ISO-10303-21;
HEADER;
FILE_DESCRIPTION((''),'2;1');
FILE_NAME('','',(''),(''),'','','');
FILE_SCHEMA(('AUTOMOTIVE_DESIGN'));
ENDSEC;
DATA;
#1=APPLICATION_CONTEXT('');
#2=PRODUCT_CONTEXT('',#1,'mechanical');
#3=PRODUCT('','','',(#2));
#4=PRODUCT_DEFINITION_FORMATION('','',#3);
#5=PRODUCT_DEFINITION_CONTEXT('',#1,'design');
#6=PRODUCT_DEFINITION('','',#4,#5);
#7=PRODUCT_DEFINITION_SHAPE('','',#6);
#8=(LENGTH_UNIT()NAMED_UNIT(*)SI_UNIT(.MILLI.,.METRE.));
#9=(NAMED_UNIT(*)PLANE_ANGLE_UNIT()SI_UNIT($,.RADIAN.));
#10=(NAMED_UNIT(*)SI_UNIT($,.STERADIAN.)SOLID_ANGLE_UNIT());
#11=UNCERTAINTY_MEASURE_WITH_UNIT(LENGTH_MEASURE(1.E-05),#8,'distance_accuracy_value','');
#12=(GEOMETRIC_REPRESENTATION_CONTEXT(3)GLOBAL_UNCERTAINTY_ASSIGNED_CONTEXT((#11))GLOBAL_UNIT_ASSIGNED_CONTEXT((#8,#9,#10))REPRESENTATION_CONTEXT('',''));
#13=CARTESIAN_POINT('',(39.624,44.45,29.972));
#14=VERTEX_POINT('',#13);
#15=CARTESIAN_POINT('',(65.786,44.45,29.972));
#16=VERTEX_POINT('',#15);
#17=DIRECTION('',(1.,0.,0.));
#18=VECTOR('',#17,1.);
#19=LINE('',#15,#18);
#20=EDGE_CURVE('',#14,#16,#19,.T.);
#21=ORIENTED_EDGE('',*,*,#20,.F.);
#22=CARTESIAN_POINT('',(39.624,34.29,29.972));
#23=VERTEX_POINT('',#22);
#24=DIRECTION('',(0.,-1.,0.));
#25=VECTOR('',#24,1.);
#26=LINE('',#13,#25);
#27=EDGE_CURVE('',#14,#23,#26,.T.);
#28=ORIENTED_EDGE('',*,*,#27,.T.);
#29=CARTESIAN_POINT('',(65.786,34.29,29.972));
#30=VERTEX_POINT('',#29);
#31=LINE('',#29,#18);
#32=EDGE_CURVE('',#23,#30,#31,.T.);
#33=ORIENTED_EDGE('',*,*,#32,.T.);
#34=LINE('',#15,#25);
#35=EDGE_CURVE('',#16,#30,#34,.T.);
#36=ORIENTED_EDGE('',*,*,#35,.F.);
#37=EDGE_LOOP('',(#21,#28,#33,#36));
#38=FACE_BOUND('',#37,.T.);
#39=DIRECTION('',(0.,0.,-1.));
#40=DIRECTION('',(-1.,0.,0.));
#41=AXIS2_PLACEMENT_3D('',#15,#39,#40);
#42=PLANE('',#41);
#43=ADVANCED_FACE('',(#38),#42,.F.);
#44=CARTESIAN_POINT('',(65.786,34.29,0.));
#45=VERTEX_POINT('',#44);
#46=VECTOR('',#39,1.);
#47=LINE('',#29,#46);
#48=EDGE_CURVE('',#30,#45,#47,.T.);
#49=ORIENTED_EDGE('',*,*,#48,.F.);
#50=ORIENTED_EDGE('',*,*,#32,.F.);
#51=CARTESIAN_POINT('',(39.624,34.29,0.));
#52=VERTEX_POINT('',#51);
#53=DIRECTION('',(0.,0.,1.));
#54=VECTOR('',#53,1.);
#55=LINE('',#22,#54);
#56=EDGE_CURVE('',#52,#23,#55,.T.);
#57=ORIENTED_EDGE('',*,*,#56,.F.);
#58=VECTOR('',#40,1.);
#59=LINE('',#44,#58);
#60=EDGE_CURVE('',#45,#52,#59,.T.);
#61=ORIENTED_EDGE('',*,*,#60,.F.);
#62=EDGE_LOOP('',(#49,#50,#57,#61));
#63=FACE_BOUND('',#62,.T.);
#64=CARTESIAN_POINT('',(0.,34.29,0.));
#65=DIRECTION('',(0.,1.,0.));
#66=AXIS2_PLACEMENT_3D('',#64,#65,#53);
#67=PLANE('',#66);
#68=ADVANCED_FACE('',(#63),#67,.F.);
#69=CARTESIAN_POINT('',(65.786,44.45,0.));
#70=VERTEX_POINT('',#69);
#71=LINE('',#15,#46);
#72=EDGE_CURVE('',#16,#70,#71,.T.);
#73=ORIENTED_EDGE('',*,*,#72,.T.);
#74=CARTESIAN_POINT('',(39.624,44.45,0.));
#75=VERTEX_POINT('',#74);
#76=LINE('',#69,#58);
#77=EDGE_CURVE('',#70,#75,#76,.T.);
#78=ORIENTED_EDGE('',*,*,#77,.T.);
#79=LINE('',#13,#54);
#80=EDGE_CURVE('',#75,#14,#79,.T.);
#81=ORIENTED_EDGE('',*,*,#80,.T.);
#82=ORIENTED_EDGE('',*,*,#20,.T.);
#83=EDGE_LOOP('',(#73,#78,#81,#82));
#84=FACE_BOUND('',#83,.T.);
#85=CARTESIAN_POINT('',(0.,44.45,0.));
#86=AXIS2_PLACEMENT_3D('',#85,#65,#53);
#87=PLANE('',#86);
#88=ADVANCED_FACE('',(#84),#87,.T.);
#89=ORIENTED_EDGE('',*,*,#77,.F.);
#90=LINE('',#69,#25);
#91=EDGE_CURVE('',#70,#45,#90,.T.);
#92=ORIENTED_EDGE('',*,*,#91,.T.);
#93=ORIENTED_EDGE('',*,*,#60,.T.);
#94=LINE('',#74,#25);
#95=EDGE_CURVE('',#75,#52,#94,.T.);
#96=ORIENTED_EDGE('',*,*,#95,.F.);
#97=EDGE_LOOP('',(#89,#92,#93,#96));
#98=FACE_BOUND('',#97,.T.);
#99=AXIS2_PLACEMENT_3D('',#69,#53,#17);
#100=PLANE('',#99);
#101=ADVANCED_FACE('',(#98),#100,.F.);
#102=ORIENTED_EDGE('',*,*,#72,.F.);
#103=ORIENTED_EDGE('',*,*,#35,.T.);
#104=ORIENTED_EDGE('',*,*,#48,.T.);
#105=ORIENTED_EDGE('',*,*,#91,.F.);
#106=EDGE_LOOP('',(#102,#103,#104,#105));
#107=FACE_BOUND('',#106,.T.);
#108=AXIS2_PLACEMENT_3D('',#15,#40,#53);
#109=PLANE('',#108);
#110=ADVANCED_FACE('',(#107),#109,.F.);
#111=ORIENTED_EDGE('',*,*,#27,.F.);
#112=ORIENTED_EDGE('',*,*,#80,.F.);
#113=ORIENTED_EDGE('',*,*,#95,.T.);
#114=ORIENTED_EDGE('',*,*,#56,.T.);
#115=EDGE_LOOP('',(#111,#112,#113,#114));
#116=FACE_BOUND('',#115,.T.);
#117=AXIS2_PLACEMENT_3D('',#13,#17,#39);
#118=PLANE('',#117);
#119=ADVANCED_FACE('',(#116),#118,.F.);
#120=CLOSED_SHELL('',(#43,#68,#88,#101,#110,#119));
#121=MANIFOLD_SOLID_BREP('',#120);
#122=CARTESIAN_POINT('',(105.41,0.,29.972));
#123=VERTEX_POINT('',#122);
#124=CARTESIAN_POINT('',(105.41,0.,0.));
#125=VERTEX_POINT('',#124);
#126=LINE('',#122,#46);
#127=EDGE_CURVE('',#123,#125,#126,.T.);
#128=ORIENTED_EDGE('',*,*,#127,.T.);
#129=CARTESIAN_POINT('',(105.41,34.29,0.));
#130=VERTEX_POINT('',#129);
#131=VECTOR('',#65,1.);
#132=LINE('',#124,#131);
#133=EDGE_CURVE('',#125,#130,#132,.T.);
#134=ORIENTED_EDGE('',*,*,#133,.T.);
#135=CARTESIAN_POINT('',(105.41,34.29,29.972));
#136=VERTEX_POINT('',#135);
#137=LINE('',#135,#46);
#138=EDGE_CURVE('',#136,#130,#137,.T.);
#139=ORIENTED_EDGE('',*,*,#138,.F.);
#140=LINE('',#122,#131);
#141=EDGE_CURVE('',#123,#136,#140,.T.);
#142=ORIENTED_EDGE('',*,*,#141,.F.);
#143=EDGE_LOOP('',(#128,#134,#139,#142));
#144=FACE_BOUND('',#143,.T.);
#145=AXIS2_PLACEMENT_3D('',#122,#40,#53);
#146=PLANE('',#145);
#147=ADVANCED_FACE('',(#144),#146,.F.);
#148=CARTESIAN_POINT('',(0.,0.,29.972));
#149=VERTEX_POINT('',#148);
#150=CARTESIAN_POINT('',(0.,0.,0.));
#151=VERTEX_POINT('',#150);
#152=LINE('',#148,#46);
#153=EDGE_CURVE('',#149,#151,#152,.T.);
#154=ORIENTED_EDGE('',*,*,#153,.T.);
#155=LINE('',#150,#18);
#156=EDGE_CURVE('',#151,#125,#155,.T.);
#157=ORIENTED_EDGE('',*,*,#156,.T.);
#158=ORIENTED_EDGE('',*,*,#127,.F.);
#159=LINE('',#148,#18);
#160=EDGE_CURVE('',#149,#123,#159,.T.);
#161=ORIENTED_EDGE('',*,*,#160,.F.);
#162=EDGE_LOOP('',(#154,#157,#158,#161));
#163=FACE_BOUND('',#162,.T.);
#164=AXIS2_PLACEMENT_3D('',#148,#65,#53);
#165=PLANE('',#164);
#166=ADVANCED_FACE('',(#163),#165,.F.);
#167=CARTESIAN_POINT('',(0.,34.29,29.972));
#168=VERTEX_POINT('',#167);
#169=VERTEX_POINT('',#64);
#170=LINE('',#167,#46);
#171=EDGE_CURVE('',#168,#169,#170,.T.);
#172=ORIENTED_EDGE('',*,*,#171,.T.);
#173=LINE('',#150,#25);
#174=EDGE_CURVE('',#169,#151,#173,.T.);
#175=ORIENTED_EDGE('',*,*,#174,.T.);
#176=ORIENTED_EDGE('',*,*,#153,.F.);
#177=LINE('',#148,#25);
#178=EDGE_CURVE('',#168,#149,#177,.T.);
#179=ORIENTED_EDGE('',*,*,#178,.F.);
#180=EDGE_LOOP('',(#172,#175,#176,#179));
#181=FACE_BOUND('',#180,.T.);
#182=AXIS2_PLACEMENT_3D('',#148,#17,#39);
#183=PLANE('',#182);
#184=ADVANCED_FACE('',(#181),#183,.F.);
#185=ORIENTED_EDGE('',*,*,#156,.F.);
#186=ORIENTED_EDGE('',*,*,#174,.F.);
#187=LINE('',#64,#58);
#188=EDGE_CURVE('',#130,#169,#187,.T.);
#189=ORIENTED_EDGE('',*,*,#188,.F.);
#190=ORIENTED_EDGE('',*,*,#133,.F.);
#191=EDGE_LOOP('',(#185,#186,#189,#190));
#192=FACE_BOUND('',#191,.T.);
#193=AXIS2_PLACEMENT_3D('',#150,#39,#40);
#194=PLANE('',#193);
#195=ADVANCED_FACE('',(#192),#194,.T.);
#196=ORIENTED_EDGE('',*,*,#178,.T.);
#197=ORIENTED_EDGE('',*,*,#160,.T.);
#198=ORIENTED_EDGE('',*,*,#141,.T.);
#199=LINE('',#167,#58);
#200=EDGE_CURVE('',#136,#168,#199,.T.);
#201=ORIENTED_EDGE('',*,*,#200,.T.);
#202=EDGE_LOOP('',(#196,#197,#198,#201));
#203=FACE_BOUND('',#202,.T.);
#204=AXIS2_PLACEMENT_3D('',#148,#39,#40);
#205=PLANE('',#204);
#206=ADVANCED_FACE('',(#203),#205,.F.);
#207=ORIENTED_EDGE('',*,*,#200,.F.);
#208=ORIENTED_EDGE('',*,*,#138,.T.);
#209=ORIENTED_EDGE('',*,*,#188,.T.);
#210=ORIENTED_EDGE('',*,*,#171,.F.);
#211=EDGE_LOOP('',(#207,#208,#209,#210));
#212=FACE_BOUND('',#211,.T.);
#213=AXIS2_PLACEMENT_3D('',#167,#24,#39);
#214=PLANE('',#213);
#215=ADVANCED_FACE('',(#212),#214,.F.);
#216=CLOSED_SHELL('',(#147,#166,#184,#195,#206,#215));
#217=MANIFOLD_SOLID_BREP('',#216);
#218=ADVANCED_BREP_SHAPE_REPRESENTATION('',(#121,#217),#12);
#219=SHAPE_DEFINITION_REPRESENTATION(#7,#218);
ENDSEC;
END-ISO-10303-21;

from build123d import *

# Parameters (mm, degrees)
SKETCH1_W           = 105.41
SKETCH1_H           = 34.29
BOSS_EXTRUDE1_DEPTH = 29.972
SKETCH2_W           = 26.162
SKETCH2_H           = 29.972
BOSS_EXTRUDE2_DEPTH = 10.16


with BuildPart() as part:
    # Sketch1 → Boss-Extrude1 (new body)
    with BuildSketch(Plane.XY):
        with Locations((52.705, 17.145)):
            Rectangle(SKETCH1_W, SKETCH1_H)
    extrude(amount=BOSS_EXTRUDE1_DEPTH)


with BuildPart() as body_2:
    # Sketch2 → Boss-Extrude2 (new body)
    with BuildSketch(Plane(origin=(0, 34.29, 0), x_dir=(1, 0, 0), z_dir=(0, 1, 0))):
        with Locations((52.705, -14.986)):
            Rectangle(SKETCH2_W, SKETCH2_H)
    extrude(amount=BOSS_EXTRUDE2_DEPTH)


solid = Compound([part.part, body_2.part])
